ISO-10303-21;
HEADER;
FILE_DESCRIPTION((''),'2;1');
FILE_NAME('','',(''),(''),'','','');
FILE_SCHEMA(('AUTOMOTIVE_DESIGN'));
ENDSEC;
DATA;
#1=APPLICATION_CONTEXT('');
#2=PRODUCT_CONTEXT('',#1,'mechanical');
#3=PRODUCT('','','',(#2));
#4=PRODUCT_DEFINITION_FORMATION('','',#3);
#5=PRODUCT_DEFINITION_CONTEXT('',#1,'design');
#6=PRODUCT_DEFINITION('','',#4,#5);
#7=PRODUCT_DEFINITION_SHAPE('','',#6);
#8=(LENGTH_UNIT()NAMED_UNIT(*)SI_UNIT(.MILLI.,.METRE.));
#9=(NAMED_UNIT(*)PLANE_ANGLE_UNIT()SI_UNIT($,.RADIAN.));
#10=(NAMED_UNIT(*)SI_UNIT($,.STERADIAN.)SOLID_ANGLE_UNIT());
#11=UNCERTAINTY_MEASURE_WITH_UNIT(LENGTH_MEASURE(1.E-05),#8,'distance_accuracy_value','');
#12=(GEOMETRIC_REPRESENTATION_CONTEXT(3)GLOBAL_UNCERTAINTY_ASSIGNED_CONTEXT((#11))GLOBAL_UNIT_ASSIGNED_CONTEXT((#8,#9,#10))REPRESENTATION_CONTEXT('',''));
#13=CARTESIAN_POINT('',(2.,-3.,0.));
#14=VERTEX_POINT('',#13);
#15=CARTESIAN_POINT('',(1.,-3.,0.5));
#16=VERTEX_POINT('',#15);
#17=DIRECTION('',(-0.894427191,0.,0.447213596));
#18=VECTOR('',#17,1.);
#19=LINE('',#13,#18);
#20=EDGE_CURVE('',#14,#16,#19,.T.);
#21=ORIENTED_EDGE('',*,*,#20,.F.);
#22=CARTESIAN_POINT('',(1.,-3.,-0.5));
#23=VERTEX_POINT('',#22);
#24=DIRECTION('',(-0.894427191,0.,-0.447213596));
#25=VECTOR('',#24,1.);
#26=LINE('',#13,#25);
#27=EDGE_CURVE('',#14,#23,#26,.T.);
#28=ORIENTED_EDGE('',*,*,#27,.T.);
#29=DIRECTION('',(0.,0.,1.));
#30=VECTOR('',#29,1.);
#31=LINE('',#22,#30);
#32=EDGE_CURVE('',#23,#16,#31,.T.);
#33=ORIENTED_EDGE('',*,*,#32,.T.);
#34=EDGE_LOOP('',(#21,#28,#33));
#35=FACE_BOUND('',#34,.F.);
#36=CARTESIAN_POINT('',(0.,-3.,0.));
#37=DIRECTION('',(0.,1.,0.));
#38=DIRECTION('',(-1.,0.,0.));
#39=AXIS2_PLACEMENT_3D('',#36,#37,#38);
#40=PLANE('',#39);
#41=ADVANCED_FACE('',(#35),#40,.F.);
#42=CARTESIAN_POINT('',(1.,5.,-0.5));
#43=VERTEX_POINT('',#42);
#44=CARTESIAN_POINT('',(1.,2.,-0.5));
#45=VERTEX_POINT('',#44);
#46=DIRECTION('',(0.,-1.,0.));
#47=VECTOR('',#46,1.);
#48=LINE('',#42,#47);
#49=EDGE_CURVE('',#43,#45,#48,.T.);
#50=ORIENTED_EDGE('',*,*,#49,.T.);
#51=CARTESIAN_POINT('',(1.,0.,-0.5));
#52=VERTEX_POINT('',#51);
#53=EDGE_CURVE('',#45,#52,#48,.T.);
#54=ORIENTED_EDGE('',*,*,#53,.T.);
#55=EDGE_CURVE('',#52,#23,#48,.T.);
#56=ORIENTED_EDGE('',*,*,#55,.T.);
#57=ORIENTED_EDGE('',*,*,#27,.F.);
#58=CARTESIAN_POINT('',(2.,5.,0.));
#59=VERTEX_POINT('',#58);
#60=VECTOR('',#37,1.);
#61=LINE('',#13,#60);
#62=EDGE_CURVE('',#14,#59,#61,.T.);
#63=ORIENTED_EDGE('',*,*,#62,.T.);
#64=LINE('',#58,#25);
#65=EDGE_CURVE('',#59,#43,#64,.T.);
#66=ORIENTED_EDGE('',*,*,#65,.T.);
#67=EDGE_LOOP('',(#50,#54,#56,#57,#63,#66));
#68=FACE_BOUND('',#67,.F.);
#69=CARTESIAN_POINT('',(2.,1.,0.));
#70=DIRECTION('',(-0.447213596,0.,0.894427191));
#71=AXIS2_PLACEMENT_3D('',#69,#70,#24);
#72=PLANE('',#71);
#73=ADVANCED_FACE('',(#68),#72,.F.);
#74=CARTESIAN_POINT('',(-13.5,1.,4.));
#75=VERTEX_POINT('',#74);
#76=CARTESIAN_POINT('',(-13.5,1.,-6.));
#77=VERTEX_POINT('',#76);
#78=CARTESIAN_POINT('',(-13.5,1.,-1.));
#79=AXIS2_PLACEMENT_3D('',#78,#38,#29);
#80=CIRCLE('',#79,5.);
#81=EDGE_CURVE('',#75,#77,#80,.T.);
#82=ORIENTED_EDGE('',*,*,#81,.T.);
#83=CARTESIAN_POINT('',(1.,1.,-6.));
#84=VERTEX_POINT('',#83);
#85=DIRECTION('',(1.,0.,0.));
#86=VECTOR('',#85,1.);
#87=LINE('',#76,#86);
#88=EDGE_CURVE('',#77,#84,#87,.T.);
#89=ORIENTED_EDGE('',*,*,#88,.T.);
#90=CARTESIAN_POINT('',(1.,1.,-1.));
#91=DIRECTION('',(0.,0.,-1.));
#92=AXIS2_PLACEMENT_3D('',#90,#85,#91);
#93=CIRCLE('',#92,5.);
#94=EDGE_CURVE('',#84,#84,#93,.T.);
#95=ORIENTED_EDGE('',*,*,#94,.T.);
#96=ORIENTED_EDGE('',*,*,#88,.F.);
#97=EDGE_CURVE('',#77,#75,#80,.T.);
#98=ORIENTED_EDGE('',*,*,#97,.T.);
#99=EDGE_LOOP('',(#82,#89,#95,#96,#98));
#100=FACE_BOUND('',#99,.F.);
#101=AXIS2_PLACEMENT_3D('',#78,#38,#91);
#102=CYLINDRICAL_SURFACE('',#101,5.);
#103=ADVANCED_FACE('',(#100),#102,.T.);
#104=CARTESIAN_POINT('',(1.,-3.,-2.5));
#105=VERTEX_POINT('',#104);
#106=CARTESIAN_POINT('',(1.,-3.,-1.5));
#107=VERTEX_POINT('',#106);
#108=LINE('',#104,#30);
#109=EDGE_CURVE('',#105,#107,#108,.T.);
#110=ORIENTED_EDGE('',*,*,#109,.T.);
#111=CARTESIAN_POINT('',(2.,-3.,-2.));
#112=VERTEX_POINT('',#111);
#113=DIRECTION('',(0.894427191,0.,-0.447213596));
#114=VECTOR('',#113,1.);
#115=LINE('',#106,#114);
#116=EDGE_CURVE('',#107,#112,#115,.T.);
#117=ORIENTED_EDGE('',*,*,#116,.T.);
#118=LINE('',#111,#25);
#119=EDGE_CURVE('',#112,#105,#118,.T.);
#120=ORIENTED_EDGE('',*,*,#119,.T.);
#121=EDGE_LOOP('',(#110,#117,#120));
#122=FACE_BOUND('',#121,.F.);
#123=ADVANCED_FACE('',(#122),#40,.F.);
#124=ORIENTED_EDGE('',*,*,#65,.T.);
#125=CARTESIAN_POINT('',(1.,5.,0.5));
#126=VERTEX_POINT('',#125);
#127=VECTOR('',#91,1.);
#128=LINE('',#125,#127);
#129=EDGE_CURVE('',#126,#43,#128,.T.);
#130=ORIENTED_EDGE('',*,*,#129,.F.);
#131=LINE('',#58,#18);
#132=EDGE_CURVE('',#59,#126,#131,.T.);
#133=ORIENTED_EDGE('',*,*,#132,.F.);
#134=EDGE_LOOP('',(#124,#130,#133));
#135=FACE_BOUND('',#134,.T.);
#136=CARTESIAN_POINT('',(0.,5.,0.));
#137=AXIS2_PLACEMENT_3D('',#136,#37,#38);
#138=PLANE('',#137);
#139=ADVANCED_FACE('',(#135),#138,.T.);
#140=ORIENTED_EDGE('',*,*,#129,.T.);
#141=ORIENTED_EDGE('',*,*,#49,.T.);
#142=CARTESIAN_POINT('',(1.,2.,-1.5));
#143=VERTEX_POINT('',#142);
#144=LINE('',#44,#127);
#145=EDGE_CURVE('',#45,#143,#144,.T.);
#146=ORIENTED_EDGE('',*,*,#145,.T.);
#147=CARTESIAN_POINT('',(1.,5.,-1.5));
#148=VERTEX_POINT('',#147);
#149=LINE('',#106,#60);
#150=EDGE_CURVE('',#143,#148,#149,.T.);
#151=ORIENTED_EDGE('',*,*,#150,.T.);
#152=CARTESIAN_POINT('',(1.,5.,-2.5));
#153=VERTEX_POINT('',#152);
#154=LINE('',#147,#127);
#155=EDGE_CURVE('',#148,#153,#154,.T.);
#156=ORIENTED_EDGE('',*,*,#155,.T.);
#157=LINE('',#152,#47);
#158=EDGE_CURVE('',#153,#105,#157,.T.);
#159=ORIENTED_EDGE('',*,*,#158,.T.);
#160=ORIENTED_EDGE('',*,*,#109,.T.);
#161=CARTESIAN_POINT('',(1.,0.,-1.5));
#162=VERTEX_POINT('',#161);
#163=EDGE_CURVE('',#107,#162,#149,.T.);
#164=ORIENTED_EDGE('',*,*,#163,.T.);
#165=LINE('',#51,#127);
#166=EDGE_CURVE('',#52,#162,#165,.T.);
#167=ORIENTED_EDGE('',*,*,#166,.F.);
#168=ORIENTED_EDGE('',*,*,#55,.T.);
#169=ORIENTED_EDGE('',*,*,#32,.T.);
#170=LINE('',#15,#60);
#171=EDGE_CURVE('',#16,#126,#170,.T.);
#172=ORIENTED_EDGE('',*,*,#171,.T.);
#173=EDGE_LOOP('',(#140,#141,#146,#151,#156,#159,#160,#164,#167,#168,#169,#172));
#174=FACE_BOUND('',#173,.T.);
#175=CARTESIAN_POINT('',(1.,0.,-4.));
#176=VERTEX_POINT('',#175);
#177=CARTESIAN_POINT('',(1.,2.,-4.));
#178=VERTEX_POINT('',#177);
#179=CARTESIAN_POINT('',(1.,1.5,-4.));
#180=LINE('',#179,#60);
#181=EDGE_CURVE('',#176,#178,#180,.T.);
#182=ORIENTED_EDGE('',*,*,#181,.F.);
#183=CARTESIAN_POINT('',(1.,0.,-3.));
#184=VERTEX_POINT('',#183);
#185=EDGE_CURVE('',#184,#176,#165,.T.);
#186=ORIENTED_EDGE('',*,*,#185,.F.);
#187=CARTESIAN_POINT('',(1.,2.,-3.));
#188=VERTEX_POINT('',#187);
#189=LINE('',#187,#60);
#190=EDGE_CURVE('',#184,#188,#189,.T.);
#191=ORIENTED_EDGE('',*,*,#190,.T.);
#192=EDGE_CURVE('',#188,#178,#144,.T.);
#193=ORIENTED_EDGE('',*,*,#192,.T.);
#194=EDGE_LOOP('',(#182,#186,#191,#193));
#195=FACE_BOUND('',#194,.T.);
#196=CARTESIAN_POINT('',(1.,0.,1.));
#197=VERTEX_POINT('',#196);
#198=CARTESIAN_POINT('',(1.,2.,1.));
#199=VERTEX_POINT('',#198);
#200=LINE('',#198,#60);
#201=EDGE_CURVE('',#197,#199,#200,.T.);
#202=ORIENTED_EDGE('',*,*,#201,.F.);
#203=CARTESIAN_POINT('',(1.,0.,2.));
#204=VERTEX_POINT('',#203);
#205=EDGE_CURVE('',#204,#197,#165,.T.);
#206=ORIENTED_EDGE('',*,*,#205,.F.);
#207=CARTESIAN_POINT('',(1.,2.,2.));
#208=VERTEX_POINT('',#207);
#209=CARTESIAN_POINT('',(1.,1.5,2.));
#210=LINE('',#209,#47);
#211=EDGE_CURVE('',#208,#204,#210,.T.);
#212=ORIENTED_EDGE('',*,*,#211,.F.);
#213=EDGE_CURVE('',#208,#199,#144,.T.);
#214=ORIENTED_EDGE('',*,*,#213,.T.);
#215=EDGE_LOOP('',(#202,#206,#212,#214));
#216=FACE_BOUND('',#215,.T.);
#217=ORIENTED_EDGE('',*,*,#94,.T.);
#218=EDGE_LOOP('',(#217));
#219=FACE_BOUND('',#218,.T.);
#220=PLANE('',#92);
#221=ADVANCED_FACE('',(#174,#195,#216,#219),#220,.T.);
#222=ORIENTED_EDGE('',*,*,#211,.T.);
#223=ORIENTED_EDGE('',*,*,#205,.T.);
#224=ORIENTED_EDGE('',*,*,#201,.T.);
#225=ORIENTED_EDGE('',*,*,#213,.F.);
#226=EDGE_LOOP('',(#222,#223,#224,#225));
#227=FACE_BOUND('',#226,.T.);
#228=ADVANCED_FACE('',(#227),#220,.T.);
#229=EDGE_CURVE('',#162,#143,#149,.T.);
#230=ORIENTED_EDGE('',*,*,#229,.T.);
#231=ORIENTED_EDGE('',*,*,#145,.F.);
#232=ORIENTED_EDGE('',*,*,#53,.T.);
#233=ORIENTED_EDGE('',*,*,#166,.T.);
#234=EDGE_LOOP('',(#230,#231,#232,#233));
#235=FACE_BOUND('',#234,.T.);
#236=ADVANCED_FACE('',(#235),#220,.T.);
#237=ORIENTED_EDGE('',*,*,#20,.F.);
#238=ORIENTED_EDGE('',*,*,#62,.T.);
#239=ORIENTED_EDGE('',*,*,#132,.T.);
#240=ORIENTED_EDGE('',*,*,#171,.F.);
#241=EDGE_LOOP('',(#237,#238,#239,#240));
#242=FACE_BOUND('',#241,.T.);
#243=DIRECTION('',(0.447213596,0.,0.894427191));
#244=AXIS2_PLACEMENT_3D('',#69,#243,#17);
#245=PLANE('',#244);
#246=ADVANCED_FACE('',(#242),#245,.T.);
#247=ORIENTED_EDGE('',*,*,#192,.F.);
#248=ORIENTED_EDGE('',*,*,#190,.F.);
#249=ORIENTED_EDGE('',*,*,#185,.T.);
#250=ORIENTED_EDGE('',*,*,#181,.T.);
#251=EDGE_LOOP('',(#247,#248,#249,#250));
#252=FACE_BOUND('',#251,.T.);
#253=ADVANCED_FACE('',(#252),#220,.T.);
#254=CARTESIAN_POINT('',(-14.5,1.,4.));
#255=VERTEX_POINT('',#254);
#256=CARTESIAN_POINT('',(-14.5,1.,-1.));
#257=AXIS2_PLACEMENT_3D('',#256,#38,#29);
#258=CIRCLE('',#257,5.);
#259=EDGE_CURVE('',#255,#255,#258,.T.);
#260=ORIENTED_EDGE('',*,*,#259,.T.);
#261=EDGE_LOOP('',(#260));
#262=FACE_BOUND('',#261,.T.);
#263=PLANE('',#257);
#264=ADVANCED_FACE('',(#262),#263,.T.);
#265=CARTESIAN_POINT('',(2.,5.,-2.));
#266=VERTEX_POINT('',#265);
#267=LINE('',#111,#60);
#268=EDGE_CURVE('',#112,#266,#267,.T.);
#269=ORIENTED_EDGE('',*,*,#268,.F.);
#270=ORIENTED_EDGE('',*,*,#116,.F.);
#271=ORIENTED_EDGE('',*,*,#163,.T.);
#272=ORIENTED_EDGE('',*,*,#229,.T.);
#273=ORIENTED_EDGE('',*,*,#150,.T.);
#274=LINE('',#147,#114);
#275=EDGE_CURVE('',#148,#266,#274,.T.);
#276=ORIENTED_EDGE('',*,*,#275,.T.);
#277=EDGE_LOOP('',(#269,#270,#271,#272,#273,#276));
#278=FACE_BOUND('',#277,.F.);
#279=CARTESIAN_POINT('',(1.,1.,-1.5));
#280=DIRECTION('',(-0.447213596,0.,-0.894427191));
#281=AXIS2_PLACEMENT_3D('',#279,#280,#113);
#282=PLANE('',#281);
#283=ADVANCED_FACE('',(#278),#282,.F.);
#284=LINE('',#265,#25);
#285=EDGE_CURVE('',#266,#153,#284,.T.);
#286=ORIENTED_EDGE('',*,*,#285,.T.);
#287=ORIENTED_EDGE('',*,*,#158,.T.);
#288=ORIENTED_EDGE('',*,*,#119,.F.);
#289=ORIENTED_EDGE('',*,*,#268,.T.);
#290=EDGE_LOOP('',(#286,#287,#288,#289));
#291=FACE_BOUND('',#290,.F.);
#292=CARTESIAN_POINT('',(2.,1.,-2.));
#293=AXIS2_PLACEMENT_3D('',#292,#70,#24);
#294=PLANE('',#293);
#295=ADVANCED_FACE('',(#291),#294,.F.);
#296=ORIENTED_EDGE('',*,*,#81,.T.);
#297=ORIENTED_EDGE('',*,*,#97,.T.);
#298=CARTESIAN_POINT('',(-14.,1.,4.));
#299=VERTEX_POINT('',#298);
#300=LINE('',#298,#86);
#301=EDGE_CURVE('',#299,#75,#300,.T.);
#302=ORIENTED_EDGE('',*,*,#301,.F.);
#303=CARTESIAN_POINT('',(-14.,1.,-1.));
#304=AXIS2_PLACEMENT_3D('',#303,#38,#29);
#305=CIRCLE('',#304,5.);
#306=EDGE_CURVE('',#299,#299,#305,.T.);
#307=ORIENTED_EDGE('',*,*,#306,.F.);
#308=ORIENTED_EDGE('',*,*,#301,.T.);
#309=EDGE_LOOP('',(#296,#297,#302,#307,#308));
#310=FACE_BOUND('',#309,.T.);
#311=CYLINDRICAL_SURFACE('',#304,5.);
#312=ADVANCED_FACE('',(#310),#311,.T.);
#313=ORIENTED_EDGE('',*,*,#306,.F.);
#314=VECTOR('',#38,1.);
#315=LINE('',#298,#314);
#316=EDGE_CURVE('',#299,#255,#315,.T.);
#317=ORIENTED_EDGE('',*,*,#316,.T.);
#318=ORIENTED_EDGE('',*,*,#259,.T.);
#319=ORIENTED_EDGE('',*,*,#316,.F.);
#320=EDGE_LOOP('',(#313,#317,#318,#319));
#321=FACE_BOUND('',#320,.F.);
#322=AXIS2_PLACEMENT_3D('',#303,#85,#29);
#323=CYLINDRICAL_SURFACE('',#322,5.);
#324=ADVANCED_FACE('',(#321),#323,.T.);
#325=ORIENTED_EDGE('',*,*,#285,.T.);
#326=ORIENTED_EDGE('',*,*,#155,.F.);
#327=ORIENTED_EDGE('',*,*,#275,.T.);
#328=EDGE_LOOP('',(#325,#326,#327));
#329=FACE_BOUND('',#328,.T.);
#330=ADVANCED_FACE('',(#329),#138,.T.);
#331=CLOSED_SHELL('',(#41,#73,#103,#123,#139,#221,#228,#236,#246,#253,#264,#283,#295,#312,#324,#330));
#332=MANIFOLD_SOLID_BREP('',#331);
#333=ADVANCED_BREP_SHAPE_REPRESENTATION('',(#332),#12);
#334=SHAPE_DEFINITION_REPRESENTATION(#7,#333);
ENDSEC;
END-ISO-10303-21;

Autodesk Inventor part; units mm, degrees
ref_plane "YZ Plane" through (0, 0, 0) normal (1, 0, 0) x (0, 1, 0)
sketch "Sketch1" plane through (0, 0, 0) normal (0, 1, 0) x (-1, 0, 0)
  line L0 (0, 0) -> (20, 0)
  line L1 (20, 0) -> (20, -2)
  line L2 (20, -2) -> (0, -2)
  line L3 (0, -2) -> (0, 0)
  dimension "d0" = 20
  dimension "d1" = 2
extrude "Extrusion1" add sketch "Sketch1" along normal blind 2
sketch "Sketch2" plane through (0, 2, 0) normal (0, 1, 0) x (1, 0, 0)
  line L0 (0, 2) -> (-20, 2) projected
  line L1 (0, 2) -> (0, 4)
  line L2 (0, 4) -> (2, 4)
  line L3 (2, 4) -> (2, -2)
  line L4 (2, -2) -> (0, -2)
  line L5 (0, 0) -> (0, 2) projected
  line L6 (0, -2) -> (0, 0)
  dimension "d4" = 2
  dimension "d5" = 2
  dimension "d6" = 6
extrude "Extrusion2" add sketch "Sketch2" against normal blind 2
sketch "Sketch3" plane through (0, 2, 0) normal (0, 1, 0) x (1, 0, 0)
  line L0 (0, 0) -> (0, -2) projected
  line L1 (0, -2) -> (0, -1)
  line L2 (2, 4) -> (2, -2) projected
  line L3 (2, -2) -> (2, -0.5)
  line L4 (2, -0.5) -> (1, -0.5)
  circle A0 centre (1, -0.5) radius 0.5
  line L5 (2, 1) -> (1.5, 1)
  circle A1 centre (1, 2.5) radius 0.5
  dimension "d9" = 1.5
  dimension "d10" = 1
  dimension "d11" = 1
extrude "Extrusion3" cut sketch "Sketch3" against normal blind 2
sketch "Sketch4" plane through (0, 2, -4) normal (-1, 0, 0) x (0, 0, 1)
  line L0 (2, 0) -> (4, 0) projected
  line L1 (3, 0) -> (3, -2)
  line L2 (2, -2) -> (4, -2) projected
  circle A0 centre (3, -1) radius 1
  line L3 (2, -2) -> (2, 0) projected
  circle A1 centre (3, -1) radius 1.4142
extrude "Extrusion4" cut sketch "Sketch4" along normal blind 100 contours L0 A0 L3 | L3 A1 | L0 A1 L2 A0 | A0 L2 L3
ref_plane "Work Plane1" through (-14, 1, -1) normal (-1, 0, 0) x (0, 0, 1)
sketch "Sketch5" plane through (-14, 1, -1) normal (-1, 0, 0) x (0, 0, 1)
  circle A0 centre (0, 0) radius 5
  point P0 (1, -1)
  dimension "d17" = 10
extrude "Extrusion5" add sketch "Sketch5" along normal mid plane 1
sketch "Sketch6" plane through (-20, 1, -1) normal (-1, 0, 0) x (0, 0, 1)
  circle A0 centre (0, 0) radius 5
  point P0 (1, -1)
extrude "Extrusion6" cut sketch "Sketch6" against normal blind 5.5
sketch "Sketch7" plane through (-13.5, 1, -1) normal (1, 0, 0) x (0, 0, -1)
  arc A0 (0, 1) -> (0, -1) centre (0, 0) ccw projected
  circle A1 centre (0, 0) radius 5
  point P0 (-1, -1)
extrude "Extrusion7" add sketch "Sketch7" along normal blind 14.5
sketch "Sketch8" plane through (1, 1, -1) normal (1, 0, 0) x (0, 0, -1)
  circle A0 centre (0, 0) radius 5
  point P0 (-1, -1)
extrude "Extrusion8" cut sketch "Sketch8" along normal blind 13.5
sketch "Sketch9" plane through (1, 1, -1) normal (1, 0, 0) x (0, 0, -1)
  point P0 (-1, -1)
sketch "Sketch10" plane through (1, 1, -1) normal (1, 0, 0) x (0, 0, -1)
  point P0 (-1, -1)
sketch "Sketch11" plane through (1, 1, -1) normal (1, 0, 0) x (0, 0, -1)
  line L0 (0, 0) -> (1.5, 0)
  line L1 (0, 0) -> (-1.5, 0)
  point P0 (-1, -1)
  dimension "d26" = 1.5
  dimension "d27" = 1.5
ref_plane "Work Plane2" through (0, 1, 0) normal (0, 1, 0) x (-1, 0, 0)
sketch "Sketch12" plane through (0, 1, 0) normal (0, 1, 0) x (-1, 0, 0)
  line L0 (-1, 4) -> (-1, -6) projected
  line L1 (-1, -1) -> (-1, 0)
  line L2 (-1, -1) -> (-1, -2)
  line L3 (-1, -2) -> (-2, -2)
  line L4 (-1, 0) -> (-2, 0)
  line L5 (-1, 0) -> (-1, -0.5)
  line L6 (-1, 0) -> (-1, 0.5)
  line L7 (-1, -2) -> (-1, -1.5)
  line L8 (-1, -2) -> (-1, -2.5)
  line L9 (-2, -2) -> (-1, -2.5)
  line L10 (-1, -1.5) -> (-2, -2)
  line L11 (-2, 0) -> (-1, -0.5)
  line L12 (-2, 0) -> (-1, 0.5)
  point P0 (0, 0)
  point P1 (-1, -0.5)
  dimension "d32" = 1
  dimension "d33" = 1
  dimension "d34" = 1
  dimension "d35" = 1
  dimension "d36" = 0.5
  dimension "d37" = 0.5
  dimension "d38" = 0.5
  dimension "d39" = 0.5
extrude "Extrusion9" add sketch "Sketch12" along normal mid plane 8
properties part number "drive_shaft_v2"
